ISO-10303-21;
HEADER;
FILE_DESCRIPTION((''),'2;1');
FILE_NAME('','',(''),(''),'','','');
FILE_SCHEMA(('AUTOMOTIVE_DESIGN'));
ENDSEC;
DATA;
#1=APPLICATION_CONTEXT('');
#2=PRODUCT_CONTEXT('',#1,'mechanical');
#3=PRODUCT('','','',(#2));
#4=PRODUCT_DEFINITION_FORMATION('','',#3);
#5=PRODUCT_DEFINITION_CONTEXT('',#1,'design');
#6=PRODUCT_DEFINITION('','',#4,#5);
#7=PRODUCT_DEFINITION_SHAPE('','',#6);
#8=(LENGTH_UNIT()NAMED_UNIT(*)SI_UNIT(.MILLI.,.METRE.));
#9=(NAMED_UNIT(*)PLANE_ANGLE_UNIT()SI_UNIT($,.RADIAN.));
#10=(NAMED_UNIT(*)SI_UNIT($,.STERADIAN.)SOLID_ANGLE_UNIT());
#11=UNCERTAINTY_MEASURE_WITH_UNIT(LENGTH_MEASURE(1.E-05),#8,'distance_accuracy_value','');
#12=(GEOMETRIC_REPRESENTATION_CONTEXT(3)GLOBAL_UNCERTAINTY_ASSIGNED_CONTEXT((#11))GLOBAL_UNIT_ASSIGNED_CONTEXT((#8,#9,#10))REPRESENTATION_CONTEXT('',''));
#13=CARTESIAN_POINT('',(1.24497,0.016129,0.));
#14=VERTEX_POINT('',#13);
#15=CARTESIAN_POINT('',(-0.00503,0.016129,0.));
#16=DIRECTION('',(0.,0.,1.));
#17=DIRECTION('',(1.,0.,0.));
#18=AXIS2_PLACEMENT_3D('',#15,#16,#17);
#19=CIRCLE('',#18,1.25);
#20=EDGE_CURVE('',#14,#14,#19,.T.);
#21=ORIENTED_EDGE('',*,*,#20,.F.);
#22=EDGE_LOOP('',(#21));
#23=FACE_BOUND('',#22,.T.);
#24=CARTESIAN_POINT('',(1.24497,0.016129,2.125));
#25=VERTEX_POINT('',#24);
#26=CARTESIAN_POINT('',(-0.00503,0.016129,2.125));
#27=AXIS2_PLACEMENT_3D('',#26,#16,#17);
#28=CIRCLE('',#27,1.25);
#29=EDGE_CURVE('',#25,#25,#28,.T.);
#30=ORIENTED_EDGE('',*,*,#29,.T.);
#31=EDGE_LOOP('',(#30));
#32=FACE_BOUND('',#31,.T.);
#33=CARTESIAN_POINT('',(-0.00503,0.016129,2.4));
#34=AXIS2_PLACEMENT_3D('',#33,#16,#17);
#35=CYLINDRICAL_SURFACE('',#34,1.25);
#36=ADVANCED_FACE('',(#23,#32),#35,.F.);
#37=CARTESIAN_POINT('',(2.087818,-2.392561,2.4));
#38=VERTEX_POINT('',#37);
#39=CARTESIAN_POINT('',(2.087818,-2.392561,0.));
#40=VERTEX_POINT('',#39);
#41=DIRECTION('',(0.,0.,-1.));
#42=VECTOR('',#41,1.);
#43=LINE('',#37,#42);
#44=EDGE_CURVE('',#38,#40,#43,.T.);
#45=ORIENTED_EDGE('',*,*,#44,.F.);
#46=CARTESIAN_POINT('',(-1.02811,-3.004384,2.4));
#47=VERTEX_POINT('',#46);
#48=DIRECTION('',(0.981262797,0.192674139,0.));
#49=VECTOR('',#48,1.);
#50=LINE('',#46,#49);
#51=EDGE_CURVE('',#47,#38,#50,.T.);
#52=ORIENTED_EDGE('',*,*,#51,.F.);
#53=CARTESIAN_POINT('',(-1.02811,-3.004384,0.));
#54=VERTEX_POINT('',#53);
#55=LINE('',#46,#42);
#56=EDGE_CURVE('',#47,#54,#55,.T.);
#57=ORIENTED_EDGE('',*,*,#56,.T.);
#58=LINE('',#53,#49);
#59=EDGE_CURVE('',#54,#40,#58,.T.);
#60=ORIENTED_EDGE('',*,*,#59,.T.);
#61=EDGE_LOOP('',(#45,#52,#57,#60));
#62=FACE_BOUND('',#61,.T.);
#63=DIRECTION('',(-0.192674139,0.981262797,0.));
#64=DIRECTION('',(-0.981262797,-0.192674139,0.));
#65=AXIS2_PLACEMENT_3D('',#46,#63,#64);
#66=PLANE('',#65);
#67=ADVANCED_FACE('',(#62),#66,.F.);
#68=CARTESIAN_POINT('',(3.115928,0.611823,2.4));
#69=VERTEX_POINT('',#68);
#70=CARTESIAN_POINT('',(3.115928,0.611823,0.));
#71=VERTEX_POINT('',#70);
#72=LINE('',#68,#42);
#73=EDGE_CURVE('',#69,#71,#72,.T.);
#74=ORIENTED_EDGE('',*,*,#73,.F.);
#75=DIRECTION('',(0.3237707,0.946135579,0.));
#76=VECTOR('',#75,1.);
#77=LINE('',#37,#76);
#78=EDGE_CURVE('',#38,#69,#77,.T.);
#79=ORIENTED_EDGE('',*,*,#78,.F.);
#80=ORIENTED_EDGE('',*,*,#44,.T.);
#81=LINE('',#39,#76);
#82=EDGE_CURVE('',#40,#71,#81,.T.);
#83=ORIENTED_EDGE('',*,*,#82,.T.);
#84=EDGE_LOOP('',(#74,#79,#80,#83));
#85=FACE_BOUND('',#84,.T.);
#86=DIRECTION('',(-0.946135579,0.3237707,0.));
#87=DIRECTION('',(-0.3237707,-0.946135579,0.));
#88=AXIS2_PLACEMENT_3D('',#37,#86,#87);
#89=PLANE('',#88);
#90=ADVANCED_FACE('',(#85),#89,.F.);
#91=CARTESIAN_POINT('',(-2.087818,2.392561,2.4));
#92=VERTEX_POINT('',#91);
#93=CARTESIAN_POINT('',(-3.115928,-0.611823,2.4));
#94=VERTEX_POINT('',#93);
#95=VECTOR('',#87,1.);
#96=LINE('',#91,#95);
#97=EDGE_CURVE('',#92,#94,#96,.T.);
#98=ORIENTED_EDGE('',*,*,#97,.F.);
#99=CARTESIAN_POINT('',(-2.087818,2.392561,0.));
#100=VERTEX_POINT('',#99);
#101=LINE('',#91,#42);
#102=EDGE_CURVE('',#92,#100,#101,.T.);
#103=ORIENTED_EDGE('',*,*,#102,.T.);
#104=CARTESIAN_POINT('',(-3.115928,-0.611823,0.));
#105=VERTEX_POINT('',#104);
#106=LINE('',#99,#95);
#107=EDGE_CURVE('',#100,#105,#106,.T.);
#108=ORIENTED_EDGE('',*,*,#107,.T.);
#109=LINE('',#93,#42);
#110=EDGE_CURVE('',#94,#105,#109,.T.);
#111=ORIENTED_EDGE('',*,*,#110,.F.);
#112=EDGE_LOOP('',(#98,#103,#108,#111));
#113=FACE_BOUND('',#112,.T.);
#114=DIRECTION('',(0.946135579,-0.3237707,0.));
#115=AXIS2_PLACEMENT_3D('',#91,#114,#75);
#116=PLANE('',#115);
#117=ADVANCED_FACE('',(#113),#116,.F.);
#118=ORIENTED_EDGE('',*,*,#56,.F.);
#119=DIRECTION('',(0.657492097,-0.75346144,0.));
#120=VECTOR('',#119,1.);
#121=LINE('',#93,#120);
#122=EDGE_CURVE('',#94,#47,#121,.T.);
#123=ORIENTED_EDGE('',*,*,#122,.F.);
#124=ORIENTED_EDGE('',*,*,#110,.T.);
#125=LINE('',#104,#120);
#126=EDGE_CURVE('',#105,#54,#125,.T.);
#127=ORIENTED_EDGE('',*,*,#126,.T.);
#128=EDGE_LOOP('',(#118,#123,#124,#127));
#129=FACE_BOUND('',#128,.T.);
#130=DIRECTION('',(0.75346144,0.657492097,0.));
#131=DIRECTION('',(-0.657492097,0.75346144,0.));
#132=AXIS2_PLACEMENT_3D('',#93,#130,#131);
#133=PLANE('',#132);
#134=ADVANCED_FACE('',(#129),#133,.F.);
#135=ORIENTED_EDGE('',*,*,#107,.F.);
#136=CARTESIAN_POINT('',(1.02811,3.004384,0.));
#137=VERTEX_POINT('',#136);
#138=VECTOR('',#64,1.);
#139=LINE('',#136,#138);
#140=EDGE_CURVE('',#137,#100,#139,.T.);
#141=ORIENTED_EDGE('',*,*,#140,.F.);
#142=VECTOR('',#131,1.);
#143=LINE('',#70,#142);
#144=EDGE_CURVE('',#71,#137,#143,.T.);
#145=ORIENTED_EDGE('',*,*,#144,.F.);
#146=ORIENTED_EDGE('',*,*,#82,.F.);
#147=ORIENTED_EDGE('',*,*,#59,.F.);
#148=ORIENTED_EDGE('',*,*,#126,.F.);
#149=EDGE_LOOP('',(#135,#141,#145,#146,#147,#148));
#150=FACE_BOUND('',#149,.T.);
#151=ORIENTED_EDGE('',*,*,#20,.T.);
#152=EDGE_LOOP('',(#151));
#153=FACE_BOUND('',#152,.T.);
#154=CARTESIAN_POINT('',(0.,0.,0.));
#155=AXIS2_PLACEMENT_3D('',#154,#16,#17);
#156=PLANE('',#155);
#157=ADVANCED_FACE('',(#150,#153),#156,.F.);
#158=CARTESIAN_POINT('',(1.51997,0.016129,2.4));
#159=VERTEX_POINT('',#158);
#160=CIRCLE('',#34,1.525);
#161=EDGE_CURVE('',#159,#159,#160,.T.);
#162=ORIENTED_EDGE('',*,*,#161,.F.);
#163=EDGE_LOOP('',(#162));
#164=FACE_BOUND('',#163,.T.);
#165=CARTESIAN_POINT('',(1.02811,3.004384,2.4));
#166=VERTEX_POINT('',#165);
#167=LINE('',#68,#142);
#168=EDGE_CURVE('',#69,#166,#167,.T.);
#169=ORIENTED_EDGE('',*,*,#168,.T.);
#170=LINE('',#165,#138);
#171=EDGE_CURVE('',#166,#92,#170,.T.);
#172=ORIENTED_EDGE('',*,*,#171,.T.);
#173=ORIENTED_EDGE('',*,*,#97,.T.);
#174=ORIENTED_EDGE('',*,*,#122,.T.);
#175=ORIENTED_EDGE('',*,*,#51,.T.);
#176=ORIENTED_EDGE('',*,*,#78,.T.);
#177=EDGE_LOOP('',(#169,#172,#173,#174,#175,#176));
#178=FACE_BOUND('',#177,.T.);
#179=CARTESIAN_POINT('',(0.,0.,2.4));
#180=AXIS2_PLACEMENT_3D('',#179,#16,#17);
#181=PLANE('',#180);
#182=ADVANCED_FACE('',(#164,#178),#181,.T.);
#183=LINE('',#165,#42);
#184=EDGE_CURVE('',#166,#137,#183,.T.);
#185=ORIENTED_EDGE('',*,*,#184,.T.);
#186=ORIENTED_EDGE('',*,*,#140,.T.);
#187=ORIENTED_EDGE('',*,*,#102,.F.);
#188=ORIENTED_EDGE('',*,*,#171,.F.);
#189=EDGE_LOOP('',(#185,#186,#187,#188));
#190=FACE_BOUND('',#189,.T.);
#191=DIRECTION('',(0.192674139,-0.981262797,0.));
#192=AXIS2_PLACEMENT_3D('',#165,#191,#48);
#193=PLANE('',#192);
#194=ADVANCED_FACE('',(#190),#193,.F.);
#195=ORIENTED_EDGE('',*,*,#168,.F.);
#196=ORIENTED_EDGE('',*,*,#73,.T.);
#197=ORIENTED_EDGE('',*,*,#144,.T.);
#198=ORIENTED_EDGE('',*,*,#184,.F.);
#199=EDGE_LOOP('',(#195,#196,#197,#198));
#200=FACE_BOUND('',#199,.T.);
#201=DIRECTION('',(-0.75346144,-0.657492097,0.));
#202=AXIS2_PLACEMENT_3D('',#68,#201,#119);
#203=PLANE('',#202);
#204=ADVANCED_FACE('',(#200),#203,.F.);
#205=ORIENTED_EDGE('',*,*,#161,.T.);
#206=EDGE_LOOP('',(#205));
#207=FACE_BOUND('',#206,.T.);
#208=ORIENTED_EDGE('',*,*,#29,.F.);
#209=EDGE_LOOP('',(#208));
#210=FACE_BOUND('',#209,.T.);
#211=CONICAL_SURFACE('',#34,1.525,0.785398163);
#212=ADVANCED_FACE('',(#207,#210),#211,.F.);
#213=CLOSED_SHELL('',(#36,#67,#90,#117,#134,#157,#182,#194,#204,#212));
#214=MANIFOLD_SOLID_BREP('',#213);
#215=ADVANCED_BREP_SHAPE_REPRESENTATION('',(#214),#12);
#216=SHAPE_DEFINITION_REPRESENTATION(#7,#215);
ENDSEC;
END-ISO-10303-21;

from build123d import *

# Parameters (mm, degrees)
BOSS_EXTRUDE1_DEPTH         = 2.4
M3_TAPPED_HOLE3_D           = 2.5
M3_TAPPED_HOLE3_CSINK_D     = 3.05
M3_TAPPED_HOLE3_CSINK_ANGLE = 90


with BuildPart() as part:
    # Sketch1 → Boss-Extrude1 (new body)
    with BuildSketch(Plane.XY):
        Polygon((2.087817816, -2.39256141), (3.115927869, 0.611822562), (1.028110053, 3.004383972), (-2.087817816, 2.39256141), (-3.115927869, -0.611822562), (-1.028110053, -3.004383972), align=None)
    extrude(amount=BOSS_EXTRUDE1_DEPTH)

    # M3 Tapped Hole3 (through all)
    with Locations(Plane(origin=(-0.005030104, 0.016129016, 2.4), x_dir=(1, 0, 0), z_dir=(0, 0, 1))):
        with Locations((0, 0)):
            CounterSinkHole(M3_TAPPED_HOLE3_D / 2, M3_TAPPED_HOLE3_CSINK_D / 2, counter_sink_angle=M3_TAPPED_HOLE3_CSINK_ANGLE)


solid = part.part
